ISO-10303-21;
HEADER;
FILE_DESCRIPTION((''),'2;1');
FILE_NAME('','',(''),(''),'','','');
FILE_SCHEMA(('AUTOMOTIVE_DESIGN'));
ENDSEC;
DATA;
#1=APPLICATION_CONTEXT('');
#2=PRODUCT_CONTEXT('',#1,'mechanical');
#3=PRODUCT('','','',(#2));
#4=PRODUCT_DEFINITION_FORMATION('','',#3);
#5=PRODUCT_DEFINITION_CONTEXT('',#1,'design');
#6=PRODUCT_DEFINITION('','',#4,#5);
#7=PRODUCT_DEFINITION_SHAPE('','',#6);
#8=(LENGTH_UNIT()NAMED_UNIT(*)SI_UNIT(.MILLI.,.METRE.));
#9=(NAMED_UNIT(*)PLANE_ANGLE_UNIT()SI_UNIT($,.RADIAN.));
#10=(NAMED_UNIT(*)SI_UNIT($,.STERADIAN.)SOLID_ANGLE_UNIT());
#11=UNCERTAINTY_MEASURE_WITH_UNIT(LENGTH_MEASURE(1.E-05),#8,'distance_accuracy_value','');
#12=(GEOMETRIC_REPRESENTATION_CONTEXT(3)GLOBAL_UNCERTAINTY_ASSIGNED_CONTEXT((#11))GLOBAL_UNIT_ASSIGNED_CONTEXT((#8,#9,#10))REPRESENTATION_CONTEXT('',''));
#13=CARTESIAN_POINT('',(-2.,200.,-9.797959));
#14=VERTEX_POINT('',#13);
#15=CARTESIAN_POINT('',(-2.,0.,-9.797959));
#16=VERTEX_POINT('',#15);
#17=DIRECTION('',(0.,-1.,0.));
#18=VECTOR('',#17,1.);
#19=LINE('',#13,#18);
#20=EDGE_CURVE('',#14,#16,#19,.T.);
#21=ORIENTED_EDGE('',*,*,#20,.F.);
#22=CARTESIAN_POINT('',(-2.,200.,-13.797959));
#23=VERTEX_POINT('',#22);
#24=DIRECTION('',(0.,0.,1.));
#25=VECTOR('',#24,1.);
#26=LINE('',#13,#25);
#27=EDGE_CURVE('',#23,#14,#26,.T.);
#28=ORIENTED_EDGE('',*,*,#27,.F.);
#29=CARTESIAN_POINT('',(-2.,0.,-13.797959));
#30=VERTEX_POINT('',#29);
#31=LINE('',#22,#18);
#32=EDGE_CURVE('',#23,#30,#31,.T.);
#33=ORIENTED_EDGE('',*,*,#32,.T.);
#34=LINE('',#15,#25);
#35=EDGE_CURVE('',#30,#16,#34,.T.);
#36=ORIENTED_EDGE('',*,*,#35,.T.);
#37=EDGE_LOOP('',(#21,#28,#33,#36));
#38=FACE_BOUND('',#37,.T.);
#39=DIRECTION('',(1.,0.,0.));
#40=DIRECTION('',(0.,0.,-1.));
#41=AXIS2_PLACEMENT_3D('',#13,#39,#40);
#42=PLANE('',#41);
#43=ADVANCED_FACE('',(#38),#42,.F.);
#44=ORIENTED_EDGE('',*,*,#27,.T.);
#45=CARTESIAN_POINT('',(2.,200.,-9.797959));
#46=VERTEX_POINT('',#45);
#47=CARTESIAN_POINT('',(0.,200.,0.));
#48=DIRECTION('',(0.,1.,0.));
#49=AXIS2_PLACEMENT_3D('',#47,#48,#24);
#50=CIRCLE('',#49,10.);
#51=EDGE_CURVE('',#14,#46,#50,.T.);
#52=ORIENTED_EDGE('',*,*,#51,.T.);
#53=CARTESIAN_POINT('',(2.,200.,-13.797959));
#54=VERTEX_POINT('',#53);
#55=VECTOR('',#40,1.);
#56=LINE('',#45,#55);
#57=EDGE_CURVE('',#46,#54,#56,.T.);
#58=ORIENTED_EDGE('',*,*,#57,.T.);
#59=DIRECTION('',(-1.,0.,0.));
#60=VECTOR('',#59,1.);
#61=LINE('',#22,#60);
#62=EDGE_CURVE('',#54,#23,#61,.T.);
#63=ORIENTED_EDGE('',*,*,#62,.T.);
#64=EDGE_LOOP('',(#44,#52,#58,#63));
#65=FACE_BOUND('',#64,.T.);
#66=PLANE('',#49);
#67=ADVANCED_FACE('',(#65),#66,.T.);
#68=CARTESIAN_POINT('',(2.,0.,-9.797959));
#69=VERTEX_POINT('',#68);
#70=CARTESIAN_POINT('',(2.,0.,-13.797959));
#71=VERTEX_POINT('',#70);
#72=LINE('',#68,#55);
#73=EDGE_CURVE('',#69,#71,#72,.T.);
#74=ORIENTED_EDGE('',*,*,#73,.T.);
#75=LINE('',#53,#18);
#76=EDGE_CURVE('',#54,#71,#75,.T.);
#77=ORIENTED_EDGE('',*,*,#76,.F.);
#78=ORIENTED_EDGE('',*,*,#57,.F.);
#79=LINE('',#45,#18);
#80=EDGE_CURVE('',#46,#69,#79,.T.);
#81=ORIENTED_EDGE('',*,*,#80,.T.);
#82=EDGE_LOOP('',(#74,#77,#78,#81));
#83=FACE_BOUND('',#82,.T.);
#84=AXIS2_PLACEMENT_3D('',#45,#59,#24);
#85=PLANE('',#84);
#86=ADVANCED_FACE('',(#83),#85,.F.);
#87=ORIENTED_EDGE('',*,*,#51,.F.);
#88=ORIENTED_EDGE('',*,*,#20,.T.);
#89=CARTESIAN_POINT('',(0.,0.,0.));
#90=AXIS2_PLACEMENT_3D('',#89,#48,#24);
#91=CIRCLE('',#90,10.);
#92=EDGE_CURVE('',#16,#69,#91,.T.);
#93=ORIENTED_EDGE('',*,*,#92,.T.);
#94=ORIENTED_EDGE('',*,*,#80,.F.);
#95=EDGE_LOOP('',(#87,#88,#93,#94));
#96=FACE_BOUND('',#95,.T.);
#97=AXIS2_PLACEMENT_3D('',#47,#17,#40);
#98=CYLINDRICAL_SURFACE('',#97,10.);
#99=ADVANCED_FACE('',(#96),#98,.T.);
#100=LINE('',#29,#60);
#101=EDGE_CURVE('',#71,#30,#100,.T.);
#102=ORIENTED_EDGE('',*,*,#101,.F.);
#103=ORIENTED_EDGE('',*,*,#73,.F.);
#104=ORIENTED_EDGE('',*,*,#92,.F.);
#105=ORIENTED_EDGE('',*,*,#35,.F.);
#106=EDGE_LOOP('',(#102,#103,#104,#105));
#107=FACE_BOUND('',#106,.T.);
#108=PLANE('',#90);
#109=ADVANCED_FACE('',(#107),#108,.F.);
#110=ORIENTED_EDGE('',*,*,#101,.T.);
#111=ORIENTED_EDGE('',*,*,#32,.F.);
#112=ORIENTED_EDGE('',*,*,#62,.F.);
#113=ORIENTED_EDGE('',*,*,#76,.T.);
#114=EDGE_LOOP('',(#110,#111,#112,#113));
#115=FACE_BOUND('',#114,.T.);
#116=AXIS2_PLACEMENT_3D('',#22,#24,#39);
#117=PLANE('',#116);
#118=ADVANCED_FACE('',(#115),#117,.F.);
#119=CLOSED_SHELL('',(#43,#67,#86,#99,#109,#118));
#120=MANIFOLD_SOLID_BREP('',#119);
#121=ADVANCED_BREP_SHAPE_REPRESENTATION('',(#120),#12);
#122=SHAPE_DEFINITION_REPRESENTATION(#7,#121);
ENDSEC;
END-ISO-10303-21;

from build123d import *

# Parameters (mm, degrees)
EXTRUDE_1_DEPTH = 200


with BuildPart() as part:
    # 草图1 → 凸台-拉伸1 (new body)
    with BuildSketch(Plane(origin=(0, 0, 0), x_dir=(1, 0, 0), z_dir=(0, 1, 0))):
        with BuildLine():
            Line((-2, 9.797958971), (-2, 13.797958971))
            Line((-2, 13.797958971), (2, 13.797958971))
            Line((2, 13.797958971), (2, 9.797958971))
            ThreePointArc((2, 9.797958971), (0, -10), (-2, 9.797958971))
        make_face()
    extrude(amount=EXTRUDE_1_DEPTH)


solid = part.part
